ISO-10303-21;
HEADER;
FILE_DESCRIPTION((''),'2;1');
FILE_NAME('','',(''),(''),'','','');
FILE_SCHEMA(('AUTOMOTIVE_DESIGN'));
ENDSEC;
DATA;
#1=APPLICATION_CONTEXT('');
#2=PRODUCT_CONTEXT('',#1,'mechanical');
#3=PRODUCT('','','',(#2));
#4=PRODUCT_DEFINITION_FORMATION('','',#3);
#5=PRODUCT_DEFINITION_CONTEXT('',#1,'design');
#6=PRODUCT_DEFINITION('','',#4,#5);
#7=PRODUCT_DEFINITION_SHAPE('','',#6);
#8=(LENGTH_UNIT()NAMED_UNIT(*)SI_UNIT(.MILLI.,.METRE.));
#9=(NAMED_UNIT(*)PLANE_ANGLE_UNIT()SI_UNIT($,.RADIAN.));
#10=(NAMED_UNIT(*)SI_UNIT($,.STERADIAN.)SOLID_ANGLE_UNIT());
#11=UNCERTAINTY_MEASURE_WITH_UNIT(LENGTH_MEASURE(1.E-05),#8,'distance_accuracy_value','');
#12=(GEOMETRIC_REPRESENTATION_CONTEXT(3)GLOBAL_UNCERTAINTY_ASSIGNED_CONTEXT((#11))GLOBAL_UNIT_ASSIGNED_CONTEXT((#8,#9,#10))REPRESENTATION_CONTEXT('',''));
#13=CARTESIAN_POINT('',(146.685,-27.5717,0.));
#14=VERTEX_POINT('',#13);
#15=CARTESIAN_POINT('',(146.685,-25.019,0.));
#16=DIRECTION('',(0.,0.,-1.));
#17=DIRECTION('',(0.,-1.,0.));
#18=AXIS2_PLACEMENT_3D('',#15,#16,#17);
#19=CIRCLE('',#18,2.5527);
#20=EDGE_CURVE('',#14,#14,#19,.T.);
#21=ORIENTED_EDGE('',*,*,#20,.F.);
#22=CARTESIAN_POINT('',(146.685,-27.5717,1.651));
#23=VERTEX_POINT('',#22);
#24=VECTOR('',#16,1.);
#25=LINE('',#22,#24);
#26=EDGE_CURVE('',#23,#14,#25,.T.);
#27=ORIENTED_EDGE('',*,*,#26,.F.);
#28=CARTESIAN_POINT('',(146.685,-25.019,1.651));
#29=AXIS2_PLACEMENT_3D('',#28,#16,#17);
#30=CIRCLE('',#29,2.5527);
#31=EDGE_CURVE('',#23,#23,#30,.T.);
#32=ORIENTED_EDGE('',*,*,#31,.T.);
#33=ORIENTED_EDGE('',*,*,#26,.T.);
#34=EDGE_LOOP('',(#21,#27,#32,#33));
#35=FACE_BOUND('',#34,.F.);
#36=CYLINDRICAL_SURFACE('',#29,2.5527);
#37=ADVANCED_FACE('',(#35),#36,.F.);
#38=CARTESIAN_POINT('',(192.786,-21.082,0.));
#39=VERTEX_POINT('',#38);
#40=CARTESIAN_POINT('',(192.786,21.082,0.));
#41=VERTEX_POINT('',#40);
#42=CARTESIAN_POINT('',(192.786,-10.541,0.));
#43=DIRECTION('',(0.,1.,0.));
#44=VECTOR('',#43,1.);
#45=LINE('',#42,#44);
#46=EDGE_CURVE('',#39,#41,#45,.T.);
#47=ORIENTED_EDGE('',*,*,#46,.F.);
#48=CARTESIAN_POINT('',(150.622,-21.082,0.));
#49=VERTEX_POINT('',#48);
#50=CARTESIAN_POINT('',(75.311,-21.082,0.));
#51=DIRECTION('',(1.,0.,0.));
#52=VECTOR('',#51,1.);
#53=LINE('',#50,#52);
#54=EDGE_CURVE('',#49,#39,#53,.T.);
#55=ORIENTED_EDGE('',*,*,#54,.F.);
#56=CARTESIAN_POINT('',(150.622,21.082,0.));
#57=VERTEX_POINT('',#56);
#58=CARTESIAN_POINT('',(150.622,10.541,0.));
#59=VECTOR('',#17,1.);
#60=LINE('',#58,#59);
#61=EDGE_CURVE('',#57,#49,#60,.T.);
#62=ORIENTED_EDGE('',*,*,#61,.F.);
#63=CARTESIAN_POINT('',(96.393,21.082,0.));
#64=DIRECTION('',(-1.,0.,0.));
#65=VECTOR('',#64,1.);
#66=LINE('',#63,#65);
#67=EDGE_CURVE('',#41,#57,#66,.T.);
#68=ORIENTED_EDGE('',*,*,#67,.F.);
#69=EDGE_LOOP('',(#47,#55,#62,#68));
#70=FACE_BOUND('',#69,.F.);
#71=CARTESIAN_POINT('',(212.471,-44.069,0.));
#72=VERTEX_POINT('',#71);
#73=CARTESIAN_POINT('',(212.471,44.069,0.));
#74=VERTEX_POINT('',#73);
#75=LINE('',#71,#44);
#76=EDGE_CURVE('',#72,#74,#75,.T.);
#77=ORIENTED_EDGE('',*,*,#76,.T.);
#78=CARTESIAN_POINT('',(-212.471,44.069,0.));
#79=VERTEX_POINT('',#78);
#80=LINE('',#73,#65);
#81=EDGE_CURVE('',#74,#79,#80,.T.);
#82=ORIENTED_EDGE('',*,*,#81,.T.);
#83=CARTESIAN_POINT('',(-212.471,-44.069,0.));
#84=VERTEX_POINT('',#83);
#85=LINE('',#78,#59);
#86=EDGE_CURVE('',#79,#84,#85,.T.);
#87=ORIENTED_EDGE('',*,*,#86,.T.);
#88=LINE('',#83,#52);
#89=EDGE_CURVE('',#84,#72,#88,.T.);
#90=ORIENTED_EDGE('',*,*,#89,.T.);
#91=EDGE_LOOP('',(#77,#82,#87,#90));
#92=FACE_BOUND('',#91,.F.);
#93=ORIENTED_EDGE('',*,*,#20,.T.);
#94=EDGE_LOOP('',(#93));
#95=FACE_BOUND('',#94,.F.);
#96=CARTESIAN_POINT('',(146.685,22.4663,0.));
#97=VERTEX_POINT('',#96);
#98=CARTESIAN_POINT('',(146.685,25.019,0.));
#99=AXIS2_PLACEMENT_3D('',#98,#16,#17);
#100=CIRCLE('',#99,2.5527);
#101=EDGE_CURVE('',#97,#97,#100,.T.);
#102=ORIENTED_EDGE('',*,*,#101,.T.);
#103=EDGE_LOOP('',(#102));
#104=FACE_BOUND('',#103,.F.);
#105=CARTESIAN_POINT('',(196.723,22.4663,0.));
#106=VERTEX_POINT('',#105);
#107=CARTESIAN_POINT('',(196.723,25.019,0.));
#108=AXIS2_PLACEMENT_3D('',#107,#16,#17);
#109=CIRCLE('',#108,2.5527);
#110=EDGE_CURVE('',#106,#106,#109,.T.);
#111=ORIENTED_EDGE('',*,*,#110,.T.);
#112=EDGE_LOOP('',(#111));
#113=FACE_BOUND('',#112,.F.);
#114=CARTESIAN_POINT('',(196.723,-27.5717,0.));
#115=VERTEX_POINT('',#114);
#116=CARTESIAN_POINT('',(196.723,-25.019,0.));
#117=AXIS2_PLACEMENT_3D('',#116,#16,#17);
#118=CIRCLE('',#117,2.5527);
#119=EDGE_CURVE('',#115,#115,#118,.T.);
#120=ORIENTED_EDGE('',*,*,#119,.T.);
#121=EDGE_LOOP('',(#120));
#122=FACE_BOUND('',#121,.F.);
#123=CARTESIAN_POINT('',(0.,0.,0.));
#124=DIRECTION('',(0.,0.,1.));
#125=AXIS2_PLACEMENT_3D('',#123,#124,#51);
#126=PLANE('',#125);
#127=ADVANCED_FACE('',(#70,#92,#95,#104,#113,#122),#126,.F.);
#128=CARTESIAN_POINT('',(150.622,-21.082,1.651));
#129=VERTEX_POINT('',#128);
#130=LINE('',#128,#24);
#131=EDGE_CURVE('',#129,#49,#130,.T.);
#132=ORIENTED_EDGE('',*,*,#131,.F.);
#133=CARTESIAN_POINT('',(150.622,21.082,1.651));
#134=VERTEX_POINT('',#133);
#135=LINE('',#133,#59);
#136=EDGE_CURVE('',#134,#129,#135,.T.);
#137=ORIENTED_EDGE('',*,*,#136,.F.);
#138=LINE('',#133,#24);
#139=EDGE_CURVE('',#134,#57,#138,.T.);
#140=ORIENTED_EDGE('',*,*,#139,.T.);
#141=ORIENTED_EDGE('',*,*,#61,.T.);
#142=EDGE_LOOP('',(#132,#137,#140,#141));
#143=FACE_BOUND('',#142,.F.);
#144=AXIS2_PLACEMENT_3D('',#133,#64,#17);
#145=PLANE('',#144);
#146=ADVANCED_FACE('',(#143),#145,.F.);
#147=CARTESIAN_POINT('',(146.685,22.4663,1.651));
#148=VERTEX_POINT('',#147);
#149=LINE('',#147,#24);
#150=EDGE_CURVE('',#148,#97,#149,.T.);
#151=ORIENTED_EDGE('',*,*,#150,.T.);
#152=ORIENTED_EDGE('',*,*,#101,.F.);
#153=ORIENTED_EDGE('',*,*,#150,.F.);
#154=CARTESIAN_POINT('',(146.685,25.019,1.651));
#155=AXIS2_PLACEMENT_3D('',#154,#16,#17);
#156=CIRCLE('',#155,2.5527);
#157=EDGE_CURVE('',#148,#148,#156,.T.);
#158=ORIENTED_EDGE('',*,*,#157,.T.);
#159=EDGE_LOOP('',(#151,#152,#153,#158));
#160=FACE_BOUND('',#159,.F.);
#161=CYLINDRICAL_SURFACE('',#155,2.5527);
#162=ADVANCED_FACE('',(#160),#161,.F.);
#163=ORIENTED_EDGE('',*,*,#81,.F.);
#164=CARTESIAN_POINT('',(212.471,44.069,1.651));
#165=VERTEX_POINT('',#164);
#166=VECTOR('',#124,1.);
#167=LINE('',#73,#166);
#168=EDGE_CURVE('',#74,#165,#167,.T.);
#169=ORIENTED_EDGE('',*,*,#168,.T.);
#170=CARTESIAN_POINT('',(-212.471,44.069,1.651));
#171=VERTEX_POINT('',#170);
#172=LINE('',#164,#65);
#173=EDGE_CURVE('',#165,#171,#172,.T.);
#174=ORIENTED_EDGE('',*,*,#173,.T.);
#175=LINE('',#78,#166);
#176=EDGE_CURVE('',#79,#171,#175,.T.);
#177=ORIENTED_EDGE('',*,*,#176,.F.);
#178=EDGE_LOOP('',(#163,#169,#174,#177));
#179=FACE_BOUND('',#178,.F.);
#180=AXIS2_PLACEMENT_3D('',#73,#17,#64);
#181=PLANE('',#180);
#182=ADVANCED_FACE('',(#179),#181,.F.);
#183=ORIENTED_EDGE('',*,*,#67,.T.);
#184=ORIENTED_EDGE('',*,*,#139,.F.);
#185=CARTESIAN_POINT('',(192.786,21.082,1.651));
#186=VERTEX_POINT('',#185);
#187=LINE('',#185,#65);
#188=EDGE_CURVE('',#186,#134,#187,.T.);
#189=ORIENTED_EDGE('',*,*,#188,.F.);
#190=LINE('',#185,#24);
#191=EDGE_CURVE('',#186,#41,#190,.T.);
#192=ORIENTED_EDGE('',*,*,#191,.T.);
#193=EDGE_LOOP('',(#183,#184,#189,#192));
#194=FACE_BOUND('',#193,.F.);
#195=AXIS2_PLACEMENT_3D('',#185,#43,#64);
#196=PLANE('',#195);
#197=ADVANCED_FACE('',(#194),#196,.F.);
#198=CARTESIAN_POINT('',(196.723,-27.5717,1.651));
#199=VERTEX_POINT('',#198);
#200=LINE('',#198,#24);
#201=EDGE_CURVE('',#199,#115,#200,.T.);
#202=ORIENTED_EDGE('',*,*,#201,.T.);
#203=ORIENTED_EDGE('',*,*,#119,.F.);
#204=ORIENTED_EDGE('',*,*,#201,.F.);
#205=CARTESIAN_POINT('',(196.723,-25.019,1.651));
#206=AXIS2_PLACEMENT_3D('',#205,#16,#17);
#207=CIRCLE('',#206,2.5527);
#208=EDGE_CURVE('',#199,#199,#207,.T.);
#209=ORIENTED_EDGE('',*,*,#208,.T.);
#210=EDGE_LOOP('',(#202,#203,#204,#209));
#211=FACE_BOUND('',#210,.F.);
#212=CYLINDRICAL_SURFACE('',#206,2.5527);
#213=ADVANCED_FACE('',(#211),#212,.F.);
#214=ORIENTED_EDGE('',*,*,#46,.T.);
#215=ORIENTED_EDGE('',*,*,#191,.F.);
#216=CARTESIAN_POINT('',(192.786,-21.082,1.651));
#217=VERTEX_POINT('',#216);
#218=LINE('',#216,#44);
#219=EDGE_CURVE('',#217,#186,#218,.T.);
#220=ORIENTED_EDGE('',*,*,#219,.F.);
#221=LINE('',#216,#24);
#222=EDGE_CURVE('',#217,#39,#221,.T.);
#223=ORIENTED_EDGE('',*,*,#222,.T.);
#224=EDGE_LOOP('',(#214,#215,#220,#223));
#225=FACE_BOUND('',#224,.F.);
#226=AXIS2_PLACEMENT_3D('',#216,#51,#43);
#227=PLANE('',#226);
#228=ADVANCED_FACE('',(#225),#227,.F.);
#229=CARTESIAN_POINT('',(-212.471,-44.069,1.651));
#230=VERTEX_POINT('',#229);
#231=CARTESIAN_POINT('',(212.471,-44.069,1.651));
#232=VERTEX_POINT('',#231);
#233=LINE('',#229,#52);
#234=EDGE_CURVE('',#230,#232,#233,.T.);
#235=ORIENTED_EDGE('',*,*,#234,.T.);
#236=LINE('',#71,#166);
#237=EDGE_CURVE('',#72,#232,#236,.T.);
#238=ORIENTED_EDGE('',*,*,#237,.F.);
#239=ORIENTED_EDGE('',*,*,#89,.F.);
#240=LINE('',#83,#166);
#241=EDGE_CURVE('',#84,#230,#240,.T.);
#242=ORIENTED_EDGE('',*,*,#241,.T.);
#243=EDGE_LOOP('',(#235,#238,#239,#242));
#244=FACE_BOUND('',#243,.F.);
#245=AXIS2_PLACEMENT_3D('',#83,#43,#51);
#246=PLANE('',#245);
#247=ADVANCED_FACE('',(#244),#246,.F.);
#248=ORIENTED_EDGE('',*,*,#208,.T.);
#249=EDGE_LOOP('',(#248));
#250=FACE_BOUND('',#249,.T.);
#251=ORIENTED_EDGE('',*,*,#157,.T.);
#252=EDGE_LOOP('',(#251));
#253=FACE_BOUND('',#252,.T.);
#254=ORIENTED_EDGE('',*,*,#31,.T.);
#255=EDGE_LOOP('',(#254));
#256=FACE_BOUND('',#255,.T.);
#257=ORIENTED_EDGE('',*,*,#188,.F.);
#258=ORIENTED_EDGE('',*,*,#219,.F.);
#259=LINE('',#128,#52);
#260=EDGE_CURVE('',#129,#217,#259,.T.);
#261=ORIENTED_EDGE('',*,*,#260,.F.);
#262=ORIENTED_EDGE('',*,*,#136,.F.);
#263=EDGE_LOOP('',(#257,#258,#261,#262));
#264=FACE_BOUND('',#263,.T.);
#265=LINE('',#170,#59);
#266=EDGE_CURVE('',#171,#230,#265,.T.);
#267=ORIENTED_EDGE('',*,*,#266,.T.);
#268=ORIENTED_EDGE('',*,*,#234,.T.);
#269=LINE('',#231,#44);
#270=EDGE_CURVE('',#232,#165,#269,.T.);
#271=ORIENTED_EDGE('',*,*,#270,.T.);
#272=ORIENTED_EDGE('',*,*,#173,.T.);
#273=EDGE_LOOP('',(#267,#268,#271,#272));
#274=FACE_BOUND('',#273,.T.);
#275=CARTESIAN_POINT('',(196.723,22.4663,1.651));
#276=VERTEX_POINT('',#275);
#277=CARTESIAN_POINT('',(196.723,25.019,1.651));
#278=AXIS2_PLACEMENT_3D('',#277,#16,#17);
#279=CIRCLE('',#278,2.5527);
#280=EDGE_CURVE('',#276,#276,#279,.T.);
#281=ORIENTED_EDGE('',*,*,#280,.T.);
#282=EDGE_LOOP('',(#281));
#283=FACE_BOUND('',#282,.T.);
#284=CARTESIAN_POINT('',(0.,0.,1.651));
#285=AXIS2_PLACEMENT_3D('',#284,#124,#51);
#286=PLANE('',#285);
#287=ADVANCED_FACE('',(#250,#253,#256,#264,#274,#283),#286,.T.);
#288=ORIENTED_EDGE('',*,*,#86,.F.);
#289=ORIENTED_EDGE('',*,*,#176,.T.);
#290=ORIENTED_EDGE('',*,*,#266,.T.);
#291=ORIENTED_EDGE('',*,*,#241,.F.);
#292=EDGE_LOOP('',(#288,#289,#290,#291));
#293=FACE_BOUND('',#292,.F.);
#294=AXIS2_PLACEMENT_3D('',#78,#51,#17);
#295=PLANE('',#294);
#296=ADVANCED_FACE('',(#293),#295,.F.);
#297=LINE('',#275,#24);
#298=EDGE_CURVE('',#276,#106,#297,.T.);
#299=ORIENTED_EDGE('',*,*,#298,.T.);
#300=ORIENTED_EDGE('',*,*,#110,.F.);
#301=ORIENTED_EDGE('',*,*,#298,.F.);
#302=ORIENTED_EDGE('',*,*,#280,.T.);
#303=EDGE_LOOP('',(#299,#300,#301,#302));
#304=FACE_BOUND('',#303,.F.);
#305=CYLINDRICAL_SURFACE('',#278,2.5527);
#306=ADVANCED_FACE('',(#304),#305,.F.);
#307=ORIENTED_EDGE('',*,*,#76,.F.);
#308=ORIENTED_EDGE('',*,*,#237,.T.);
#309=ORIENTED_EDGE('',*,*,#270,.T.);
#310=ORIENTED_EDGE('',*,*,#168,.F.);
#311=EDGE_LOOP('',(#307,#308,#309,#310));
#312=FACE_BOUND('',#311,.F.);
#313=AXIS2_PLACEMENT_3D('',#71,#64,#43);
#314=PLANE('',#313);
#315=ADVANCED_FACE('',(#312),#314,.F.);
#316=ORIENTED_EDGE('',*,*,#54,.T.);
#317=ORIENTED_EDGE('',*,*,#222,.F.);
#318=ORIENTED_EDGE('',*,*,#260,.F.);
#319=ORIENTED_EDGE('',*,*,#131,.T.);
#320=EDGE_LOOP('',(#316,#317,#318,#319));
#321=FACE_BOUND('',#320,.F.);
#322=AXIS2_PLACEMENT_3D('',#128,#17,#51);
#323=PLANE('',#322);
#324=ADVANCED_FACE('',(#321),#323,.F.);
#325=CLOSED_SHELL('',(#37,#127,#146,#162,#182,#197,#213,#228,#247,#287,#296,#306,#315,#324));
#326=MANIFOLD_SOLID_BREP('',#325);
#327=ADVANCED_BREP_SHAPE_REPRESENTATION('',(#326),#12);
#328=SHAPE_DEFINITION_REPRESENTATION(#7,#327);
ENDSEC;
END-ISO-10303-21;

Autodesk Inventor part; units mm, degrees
ref_plane "YZ Plane" through (0, 0, 0) normal (1, 0, 0) x (0, 1, 0)
ref_plane "XZ Plane" through (0, 0, 0) normal (0, 1, 0) x (-1, 0, 0)
ref_plane "XY Plane" through (0, 0, 0) normal (0, 0, 1) x (1, 0, 0)
sketch "Sketch1" plane through (0, 0, 0) normal (0, 0, 1) x (1, 0, 0)
  line L0 (-212.471, -44.069) -> (212.471, -44.069)
  line L1 (212.471, -44.069) -> (212.471, 44.069)
  line L2 (212.471, 44.069) -> (-212.471, 44.069)
  line L3 (-212.471, 44.069) -> (-212.471, -44.069)
  line L4 (-212.471, -44.069) -> (212.471, 44.069) construction
  line L5 (212.471, -44.069) -> (-212.471, 44.069) construction
  point P0 (0, 0)
  dimension "d0" = 424.942
  dimension "d1" = 88.138
extrude "Extrusion1" add sketch "Sketch1" along normal blind 1.651
sketch "airflow" plane through (0, 0, 1.651) normal (0, 0, 1) x (1, 0, 0)
  line L0 (146.685, -25.019) -> (196.723, -25.019) construction
  line L1 (196.723, -25.019) -> (196.723, 25.019) construction
  line L2 (196.723, 25.019) -> (146.685, 25.019) construction
  line L3 (146.685, 25.019) -> (146.685, -25.019) construction
  line L4 (146.685, -25.019) -> (196.723, 25.019) construction
  line L5 (196.723, -25.019) -> (146.685, 25.019) construction
  line L6 (-212.471, 44.069) -> (-212.471, -44.069) projected
  line L7 (-212.471, -44.069) -> (212.471, -44.069) projected
  line L8 (-209.423, -35.814) -> (209.423, -35.814) construction
  line L9 (209.423, -35.814) -> (209.423, 35.814) construction
  line L10 (209.423, 35.814) -> (-209.423, 35.814) construction
  line L11 (-209.423, 35.814) -> (-209.423, -35.814) construction
  line L12 (-209.423, -35.814) -> (209.423, 35.814) construction
  line L13 (209.423, -35.814) -> (-209.423, 35.814) construction
  line L14 (150.622, -21.082) -> (192.786, -21.082)
  line L15 (192.786, -21.082) -> (192.786, 21.082)
  line L16 (192.786, 21.082) -> (150.622, 21.082)
  line L17 (150.622, 21.082) -> (150.622, -21.082)
  line L18 (150.622, -21.082) -> (192.786, 21.082) construction
  line L19 (192.786, -21.082) -> (150.622, 21.082) construction
  point P0 (0, 0)
  point P1 (171.704, 0)
  dimension "d4" = 50.038
  dimension "d5" = 50.038
  dimension "d10" = 44.069
  dimension "d11" = 8.255
  dimension "d12" = 3.048
  dimension "d13" = 12.7
  dimension "d14" = 3.937
hole "Hole1" at (196.723, 25.019, 1.651) at (146.685, 25.019, 1.651) at (196.723, -25.019, 1.651) at (146.685, -25.019, 1.651) direction (0, 0, -1) diameter 5.1054 end through all clearance for "Flat Head Machine Screw (82)" size "#10" standard "Ansi Unified Screw Threads"
extrude "Extrusion3" cut sketch "airflow" against normal through all
properties part number "NMT_backpanel"
